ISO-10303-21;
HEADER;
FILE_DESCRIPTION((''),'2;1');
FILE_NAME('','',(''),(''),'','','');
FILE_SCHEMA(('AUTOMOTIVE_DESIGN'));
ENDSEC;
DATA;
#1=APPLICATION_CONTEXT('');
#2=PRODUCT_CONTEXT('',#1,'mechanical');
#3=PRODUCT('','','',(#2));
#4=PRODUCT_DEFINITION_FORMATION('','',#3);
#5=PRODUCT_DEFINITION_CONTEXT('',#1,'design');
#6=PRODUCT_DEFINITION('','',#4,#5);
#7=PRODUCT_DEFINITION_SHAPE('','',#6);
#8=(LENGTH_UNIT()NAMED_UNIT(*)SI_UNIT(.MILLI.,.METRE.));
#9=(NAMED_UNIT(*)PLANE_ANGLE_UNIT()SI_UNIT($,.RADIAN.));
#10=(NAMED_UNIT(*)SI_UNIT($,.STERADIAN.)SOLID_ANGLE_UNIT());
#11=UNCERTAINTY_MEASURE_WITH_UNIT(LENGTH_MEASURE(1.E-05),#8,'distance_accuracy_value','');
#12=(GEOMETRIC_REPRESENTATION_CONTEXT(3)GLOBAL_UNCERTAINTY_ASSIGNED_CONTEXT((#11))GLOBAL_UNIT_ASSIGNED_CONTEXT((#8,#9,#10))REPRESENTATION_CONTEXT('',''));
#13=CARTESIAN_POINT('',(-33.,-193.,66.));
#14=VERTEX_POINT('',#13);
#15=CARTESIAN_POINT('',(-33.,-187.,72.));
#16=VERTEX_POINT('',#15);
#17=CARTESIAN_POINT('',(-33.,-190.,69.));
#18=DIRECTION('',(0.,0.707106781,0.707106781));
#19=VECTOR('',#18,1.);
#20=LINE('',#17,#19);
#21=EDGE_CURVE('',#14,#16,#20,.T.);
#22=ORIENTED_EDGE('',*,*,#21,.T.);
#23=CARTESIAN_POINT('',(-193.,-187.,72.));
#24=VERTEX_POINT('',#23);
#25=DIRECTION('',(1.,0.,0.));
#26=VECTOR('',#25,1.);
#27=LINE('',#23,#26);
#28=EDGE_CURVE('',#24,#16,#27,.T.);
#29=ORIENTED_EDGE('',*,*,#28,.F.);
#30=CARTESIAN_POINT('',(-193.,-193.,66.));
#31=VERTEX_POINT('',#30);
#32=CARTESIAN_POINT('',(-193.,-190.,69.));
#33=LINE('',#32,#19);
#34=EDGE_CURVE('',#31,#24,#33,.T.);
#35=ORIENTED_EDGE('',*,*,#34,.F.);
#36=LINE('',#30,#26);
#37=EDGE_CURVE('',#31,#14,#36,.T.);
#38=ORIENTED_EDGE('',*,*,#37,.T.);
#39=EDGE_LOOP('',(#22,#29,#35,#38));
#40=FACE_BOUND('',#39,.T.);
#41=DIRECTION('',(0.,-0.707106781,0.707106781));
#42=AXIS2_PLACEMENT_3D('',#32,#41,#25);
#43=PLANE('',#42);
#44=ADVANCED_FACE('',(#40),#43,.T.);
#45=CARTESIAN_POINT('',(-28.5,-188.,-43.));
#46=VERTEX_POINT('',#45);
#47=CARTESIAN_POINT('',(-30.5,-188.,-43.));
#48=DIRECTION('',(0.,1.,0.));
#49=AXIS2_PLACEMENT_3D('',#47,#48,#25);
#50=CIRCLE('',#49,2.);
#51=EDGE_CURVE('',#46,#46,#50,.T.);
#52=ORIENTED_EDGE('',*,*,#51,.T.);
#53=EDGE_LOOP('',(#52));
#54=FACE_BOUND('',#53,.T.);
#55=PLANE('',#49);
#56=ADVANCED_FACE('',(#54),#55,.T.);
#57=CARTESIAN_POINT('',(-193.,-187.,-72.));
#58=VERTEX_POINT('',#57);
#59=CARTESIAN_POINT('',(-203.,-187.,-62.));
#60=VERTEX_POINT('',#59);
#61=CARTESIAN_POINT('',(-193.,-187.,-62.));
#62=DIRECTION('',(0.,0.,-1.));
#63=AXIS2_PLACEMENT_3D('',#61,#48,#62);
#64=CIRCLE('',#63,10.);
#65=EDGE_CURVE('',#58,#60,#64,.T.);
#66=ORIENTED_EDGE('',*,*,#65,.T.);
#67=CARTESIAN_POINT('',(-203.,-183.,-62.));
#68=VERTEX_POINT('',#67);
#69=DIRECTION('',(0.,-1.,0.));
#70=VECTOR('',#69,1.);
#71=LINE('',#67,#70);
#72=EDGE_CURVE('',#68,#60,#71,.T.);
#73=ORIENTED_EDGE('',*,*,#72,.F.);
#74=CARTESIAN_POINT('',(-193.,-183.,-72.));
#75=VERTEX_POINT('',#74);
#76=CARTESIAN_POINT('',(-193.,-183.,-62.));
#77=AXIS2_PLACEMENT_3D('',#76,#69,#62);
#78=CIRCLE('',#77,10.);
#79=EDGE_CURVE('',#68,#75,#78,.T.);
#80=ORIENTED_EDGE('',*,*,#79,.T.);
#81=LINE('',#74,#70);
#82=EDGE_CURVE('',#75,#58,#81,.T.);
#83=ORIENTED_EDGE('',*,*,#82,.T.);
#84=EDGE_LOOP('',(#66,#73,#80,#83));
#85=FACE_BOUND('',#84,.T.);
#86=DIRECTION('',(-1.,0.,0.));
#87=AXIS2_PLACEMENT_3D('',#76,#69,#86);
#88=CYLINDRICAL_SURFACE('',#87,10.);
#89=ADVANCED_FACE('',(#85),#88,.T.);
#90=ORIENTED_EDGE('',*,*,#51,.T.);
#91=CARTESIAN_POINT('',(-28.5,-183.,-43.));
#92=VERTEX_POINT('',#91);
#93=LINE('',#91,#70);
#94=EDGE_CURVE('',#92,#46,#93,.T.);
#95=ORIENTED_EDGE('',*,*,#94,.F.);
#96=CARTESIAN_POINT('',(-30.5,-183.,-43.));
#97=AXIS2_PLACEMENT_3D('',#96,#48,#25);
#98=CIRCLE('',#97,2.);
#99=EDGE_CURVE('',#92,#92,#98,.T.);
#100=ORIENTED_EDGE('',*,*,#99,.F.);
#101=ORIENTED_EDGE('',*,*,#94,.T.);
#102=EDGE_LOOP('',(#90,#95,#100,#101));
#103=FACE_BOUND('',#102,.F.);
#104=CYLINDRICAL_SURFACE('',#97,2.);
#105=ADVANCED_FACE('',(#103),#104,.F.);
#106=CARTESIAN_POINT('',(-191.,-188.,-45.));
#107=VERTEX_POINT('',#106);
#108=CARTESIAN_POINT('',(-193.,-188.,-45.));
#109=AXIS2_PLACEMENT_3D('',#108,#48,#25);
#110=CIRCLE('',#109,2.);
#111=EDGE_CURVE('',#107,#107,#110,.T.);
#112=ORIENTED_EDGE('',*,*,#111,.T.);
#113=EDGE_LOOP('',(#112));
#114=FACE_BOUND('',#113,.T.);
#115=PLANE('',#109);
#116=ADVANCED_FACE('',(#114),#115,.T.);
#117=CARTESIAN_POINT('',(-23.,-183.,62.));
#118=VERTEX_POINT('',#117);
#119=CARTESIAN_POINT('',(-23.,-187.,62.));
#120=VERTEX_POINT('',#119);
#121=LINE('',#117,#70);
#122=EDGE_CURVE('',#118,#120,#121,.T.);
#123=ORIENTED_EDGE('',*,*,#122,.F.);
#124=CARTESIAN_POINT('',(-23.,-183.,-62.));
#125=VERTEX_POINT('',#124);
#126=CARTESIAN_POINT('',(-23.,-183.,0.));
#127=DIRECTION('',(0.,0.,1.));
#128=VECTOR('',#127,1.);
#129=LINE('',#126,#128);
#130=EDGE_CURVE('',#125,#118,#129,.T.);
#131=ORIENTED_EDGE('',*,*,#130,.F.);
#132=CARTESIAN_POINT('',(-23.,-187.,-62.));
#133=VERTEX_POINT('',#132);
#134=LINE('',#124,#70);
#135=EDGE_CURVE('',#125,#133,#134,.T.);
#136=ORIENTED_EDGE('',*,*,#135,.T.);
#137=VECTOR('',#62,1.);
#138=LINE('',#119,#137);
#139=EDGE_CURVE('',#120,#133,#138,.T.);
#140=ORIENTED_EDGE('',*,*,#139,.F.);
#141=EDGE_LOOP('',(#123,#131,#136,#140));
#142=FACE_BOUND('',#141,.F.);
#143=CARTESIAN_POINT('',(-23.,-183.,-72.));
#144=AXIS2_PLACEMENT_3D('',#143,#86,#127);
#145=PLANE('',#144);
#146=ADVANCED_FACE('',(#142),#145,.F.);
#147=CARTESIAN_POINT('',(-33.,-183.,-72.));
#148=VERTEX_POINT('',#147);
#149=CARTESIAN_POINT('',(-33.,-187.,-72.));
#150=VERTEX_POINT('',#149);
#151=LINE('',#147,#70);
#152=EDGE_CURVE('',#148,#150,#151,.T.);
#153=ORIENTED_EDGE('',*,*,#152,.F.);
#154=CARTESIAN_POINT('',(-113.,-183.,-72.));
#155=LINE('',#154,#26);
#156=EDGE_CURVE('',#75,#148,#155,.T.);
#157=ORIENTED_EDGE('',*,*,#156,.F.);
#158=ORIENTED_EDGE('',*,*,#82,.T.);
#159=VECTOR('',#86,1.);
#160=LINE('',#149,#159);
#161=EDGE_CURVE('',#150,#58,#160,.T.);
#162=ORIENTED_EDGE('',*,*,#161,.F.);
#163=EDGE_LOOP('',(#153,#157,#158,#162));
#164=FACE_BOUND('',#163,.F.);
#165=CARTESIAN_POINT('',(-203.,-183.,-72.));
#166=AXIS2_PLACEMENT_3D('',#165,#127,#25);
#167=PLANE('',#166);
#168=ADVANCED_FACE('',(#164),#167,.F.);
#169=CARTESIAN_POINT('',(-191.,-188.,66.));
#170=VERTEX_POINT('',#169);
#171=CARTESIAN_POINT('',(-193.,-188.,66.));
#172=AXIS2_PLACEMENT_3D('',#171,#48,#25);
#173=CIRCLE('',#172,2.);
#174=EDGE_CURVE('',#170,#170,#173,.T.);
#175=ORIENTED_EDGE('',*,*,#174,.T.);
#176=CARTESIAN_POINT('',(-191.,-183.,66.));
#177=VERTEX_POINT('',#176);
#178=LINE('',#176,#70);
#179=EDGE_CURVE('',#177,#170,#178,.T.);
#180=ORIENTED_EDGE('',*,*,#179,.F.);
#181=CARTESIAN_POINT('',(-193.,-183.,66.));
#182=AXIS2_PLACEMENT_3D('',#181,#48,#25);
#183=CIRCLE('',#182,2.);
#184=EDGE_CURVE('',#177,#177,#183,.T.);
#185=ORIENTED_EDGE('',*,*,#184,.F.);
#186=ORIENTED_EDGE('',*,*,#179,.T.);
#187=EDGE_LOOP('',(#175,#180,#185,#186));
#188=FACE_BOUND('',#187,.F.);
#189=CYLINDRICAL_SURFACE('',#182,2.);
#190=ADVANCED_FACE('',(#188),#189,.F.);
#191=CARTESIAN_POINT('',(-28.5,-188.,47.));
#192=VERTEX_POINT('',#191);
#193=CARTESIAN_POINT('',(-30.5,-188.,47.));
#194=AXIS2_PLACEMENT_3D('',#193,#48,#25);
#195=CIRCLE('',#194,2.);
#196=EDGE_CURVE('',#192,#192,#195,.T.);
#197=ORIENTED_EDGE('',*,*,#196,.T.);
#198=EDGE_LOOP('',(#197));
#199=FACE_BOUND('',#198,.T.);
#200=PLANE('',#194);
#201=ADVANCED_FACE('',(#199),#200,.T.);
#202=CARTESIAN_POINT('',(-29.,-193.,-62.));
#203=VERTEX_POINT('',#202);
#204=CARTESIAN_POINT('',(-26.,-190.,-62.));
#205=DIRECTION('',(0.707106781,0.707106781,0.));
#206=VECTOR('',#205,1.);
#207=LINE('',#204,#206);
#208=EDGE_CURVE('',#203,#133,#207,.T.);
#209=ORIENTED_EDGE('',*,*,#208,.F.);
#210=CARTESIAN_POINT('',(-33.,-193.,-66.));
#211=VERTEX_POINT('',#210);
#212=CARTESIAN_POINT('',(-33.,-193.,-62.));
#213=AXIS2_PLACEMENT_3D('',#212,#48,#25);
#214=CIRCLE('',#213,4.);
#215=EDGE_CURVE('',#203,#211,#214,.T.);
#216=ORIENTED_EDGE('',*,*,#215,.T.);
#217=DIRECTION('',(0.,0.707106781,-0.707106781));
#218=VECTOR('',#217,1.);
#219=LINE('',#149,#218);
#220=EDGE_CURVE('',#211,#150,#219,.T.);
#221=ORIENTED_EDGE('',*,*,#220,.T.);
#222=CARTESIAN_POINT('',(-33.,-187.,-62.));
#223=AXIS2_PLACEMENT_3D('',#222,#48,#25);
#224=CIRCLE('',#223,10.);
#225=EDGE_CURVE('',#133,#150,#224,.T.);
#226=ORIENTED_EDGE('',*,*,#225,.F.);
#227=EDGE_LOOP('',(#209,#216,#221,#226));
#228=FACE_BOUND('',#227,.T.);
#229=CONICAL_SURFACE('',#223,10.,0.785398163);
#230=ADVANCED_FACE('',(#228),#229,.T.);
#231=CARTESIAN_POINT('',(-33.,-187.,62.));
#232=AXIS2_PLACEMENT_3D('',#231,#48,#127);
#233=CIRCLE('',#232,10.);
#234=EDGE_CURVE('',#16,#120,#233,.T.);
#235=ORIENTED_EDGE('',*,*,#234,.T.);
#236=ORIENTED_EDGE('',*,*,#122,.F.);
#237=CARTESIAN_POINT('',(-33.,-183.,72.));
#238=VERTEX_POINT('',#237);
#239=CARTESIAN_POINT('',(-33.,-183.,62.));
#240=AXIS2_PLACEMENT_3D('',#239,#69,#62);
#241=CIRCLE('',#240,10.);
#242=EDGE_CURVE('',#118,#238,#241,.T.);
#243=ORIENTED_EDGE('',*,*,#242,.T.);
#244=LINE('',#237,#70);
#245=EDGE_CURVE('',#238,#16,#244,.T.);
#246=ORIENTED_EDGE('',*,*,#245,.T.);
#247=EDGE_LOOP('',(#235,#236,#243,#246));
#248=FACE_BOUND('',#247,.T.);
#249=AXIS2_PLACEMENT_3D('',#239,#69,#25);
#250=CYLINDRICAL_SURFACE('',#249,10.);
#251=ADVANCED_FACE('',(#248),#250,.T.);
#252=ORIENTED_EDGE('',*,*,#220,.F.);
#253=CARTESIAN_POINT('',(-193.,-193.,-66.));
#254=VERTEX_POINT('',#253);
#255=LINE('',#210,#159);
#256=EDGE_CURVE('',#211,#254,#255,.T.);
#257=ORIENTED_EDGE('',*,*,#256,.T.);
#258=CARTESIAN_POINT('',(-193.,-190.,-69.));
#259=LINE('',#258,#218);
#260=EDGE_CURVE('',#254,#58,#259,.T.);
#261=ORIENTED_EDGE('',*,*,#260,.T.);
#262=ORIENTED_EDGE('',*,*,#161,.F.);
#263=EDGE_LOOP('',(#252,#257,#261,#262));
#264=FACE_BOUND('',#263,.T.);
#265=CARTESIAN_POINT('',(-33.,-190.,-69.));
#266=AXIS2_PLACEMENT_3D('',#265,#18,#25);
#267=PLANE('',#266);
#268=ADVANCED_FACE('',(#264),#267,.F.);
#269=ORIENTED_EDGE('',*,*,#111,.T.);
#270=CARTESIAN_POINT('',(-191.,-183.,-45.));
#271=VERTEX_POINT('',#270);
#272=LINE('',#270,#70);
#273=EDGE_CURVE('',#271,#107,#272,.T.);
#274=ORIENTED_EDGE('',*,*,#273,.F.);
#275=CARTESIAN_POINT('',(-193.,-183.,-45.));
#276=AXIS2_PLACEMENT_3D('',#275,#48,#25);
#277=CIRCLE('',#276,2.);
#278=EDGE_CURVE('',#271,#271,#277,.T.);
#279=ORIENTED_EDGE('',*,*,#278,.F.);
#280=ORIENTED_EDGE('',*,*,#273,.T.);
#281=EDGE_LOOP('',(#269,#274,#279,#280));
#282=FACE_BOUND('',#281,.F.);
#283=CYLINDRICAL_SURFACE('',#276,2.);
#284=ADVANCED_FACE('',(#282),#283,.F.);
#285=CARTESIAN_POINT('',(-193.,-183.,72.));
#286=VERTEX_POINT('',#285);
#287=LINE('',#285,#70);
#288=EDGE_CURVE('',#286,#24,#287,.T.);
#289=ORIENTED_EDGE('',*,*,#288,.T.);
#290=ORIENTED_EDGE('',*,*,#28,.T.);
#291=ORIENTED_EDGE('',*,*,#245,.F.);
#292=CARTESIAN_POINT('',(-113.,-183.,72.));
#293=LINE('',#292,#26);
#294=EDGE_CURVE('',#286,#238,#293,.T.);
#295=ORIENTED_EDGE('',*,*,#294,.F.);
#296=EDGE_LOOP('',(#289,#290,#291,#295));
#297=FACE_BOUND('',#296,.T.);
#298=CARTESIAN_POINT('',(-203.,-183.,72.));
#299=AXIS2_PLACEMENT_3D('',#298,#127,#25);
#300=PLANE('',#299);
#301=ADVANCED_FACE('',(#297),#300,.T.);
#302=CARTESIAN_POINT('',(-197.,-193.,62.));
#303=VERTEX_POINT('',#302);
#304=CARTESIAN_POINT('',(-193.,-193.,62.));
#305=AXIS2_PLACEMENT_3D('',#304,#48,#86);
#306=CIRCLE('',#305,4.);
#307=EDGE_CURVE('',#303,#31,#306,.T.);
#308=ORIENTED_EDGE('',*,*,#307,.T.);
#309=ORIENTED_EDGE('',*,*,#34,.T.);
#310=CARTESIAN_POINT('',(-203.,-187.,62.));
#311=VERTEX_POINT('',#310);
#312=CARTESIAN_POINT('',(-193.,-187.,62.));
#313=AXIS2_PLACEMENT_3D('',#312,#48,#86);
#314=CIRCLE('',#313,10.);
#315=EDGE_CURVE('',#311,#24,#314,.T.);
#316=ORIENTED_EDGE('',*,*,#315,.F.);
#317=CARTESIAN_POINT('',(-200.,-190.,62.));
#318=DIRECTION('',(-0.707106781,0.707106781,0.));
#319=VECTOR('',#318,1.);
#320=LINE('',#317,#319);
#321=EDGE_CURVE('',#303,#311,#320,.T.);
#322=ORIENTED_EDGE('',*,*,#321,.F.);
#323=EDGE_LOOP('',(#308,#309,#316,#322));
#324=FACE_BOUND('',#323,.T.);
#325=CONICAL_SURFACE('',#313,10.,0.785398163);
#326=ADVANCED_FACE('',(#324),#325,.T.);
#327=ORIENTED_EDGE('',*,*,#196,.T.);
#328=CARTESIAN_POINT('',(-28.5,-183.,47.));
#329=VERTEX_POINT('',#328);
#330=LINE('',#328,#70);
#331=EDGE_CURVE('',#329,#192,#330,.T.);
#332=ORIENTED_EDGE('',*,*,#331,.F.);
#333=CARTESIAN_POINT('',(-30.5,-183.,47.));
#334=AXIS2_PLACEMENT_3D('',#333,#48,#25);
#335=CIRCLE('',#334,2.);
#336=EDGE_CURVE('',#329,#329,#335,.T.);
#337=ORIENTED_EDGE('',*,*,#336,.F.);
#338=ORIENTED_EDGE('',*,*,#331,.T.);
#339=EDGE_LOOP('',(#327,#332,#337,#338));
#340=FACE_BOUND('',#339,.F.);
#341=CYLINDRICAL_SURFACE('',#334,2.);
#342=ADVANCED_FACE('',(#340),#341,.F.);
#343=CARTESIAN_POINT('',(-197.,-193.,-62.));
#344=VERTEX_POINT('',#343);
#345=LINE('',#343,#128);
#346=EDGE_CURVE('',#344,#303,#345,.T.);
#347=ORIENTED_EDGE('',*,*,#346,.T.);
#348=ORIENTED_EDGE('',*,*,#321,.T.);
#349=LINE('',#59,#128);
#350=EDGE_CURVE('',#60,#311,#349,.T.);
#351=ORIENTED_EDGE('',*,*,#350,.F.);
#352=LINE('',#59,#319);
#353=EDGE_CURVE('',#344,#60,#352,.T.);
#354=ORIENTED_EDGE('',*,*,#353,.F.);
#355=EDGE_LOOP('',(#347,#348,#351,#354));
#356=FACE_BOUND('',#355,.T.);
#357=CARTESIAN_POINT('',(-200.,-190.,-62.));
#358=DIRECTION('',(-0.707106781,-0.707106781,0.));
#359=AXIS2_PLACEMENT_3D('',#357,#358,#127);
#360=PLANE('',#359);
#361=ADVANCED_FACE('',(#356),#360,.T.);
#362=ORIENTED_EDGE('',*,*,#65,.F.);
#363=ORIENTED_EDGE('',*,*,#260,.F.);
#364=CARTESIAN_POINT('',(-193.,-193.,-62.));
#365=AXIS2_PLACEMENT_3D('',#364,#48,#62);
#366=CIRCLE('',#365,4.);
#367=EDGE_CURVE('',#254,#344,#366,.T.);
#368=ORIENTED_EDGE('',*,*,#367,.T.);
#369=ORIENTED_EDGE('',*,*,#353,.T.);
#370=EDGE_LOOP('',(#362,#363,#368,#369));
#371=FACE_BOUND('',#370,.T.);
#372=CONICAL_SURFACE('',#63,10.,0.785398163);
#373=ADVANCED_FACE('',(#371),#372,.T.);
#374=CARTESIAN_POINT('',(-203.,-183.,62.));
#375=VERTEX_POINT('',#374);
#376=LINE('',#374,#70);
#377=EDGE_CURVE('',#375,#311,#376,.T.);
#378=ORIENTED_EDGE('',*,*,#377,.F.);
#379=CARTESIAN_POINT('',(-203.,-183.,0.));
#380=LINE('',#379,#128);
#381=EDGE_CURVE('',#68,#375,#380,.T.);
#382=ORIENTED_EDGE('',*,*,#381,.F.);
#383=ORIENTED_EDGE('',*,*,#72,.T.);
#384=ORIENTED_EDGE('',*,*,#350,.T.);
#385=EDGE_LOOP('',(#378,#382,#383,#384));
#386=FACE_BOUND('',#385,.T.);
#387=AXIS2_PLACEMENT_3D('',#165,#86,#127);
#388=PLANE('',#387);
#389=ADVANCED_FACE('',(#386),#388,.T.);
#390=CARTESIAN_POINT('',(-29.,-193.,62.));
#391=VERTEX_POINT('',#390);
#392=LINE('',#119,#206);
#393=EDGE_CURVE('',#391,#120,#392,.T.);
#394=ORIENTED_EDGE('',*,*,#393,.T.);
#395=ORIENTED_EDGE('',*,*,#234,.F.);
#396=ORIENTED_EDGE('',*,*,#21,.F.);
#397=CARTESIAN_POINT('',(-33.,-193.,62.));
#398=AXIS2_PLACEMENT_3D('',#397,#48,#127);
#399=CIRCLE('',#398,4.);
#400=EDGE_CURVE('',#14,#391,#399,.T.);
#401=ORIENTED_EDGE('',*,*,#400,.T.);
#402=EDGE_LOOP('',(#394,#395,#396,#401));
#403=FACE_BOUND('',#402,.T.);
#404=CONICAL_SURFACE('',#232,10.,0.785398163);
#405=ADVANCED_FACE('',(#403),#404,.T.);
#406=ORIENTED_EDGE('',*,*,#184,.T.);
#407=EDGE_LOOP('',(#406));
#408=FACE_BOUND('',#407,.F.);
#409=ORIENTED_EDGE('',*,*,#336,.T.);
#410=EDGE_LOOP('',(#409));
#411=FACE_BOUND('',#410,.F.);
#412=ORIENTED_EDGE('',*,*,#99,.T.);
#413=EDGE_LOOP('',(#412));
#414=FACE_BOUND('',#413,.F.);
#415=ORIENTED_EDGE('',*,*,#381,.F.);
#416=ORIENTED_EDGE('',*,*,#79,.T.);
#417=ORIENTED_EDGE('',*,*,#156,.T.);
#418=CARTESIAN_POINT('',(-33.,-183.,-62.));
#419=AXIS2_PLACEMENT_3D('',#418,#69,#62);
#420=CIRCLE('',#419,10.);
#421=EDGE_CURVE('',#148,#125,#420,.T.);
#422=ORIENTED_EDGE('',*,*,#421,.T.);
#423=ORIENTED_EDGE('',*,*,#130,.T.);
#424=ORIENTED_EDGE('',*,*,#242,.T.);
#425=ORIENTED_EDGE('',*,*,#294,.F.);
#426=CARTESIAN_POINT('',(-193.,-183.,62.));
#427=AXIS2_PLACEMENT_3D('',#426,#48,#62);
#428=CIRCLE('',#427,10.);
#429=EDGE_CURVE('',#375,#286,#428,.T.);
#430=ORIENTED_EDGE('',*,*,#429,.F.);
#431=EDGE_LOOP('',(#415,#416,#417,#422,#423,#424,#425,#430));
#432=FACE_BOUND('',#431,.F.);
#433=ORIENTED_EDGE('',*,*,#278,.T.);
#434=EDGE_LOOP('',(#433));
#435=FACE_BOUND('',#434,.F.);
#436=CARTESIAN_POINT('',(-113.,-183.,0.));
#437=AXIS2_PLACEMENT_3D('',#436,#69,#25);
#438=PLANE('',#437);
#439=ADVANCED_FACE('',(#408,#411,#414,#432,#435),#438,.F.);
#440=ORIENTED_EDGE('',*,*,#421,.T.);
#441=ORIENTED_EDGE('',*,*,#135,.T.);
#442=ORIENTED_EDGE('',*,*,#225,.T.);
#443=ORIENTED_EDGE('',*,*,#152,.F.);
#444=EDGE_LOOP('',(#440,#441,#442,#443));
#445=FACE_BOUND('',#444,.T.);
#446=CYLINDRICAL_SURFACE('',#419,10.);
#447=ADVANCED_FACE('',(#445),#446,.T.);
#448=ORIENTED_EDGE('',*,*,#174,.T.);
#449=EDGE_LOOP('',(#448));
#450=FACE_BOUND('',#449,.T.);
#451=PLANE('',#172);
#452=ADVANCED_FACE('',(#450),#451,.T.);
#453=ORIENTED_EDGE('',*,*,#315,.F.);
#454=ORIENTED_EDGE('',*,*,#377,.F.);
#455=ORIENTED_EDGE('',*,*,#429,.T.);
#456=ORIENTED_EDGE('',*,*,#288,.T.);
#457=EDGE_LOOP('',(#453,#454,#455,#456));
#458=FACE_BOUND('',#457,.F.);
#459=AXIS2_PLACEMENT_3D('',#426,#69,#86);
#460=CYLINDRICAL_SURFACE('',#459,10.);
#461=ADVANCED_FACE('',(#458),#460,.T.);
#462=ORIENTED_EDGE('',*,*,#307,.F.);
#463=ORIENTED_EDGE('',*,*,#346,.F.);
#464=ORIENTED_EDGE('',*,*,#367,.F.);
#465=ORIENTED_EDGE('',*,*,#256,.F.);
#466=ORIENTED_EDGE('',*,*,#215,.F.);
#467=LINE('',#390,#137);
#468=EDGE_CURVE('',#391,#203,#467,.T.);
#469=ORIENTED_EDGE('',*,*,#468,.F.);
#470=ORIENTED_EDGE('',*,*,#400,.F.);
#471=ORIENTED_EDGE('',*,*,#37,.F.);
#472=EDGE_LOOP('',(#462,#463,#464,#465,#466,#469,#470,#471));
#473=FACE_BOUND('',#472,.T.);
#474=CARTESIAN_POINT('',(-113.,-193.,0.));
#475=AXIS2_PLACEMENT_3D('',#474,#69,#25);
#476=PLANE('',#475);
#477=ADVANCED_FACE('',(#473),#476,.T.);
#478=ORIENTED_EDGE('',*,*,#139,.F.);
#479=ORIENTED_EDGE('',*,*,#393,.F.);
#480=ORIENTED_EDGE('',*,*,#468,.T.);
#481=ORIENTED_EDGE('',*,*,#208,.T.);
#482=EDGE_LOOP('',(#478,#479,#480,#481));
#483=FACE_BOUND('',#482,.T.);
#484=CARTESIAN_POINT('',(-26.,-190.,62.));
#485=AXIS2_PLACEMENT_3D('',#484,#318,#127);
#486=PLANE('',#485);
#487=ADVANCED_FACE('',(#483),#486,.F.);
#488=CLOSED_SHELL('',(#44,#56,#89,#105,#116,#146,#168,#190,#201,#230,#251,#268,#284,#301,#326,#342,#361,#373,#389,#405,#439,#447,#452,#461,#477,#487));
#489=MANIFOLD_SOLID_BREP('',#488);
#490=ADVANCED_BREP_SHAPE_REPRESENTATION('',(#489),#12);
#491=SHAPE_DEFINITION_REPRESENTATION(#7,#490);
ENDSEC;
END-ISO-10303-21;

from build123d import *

# Parameters (mm, degrees)
SKETCH170_W     = 180
SKETCH170_H     = 144
PAD047_DEPTH    = 10
FILLET026_R     = 10
CHAMFER012_SIZE = 6
SKETCH171_R     = 2
POCKET058_DEPTH = 5


with BuildPart() as part:
    # Sketch170 → Pad047 (new body)
    with BuildSketch(Plane.XZ):
        Rectangle(SKETCH170_W, SKETCH170_H)
    extrude(amount=PAD047_DEPTH)

    # Fillet026
    fillet026_edges = [part.edges().sort_by_distance(p)[0] for p in [
        (-90, -5, 72),
        (90, -5, 72),
        (90, -5, -72),
        (-90, -5, -72),
    ]]
    fillet(fillet026_edges, radius=FILLET026_R)

    # Chamfer012
    chamfer012_edges = [part.edges().sort_by_distance(p)[0] for p in [
        (0, -10, 72),
        (90, -10, 0),
        (0, -10, -72),
        (-90, -10, 0),
    ]]
    chamfer(chamfer012_edges, length=CHAMFER012_SIZE)

    # Sketch171 (on Face4 of Chamfer012) → Pocket058 (cut)
    with BuildSketch(Plane(origin=(0, 0, 0), x_dir=(1, 0, 0), z_dir=(0, 1, 0))):
        with Locations((-80, -66)):
            Circle(SKETCH171_R)
        with Locations((-80, 45)):
            Circle(SKETCH171_R)
        with Locations((82.5, 43)):
            Circle(SKETCH171_R)
        with Locations((82.5, -47)):
            Circle(SKETCH171_R)
    extrude(amount=-POCKET058_DEPTH, mode=Mode.SUBTRACT)


with BuildPart() as part_1:
    # Body017 placement: moved
    add(part.part.moved(Location((-113, -183, 0))))


solid = part_1.part
